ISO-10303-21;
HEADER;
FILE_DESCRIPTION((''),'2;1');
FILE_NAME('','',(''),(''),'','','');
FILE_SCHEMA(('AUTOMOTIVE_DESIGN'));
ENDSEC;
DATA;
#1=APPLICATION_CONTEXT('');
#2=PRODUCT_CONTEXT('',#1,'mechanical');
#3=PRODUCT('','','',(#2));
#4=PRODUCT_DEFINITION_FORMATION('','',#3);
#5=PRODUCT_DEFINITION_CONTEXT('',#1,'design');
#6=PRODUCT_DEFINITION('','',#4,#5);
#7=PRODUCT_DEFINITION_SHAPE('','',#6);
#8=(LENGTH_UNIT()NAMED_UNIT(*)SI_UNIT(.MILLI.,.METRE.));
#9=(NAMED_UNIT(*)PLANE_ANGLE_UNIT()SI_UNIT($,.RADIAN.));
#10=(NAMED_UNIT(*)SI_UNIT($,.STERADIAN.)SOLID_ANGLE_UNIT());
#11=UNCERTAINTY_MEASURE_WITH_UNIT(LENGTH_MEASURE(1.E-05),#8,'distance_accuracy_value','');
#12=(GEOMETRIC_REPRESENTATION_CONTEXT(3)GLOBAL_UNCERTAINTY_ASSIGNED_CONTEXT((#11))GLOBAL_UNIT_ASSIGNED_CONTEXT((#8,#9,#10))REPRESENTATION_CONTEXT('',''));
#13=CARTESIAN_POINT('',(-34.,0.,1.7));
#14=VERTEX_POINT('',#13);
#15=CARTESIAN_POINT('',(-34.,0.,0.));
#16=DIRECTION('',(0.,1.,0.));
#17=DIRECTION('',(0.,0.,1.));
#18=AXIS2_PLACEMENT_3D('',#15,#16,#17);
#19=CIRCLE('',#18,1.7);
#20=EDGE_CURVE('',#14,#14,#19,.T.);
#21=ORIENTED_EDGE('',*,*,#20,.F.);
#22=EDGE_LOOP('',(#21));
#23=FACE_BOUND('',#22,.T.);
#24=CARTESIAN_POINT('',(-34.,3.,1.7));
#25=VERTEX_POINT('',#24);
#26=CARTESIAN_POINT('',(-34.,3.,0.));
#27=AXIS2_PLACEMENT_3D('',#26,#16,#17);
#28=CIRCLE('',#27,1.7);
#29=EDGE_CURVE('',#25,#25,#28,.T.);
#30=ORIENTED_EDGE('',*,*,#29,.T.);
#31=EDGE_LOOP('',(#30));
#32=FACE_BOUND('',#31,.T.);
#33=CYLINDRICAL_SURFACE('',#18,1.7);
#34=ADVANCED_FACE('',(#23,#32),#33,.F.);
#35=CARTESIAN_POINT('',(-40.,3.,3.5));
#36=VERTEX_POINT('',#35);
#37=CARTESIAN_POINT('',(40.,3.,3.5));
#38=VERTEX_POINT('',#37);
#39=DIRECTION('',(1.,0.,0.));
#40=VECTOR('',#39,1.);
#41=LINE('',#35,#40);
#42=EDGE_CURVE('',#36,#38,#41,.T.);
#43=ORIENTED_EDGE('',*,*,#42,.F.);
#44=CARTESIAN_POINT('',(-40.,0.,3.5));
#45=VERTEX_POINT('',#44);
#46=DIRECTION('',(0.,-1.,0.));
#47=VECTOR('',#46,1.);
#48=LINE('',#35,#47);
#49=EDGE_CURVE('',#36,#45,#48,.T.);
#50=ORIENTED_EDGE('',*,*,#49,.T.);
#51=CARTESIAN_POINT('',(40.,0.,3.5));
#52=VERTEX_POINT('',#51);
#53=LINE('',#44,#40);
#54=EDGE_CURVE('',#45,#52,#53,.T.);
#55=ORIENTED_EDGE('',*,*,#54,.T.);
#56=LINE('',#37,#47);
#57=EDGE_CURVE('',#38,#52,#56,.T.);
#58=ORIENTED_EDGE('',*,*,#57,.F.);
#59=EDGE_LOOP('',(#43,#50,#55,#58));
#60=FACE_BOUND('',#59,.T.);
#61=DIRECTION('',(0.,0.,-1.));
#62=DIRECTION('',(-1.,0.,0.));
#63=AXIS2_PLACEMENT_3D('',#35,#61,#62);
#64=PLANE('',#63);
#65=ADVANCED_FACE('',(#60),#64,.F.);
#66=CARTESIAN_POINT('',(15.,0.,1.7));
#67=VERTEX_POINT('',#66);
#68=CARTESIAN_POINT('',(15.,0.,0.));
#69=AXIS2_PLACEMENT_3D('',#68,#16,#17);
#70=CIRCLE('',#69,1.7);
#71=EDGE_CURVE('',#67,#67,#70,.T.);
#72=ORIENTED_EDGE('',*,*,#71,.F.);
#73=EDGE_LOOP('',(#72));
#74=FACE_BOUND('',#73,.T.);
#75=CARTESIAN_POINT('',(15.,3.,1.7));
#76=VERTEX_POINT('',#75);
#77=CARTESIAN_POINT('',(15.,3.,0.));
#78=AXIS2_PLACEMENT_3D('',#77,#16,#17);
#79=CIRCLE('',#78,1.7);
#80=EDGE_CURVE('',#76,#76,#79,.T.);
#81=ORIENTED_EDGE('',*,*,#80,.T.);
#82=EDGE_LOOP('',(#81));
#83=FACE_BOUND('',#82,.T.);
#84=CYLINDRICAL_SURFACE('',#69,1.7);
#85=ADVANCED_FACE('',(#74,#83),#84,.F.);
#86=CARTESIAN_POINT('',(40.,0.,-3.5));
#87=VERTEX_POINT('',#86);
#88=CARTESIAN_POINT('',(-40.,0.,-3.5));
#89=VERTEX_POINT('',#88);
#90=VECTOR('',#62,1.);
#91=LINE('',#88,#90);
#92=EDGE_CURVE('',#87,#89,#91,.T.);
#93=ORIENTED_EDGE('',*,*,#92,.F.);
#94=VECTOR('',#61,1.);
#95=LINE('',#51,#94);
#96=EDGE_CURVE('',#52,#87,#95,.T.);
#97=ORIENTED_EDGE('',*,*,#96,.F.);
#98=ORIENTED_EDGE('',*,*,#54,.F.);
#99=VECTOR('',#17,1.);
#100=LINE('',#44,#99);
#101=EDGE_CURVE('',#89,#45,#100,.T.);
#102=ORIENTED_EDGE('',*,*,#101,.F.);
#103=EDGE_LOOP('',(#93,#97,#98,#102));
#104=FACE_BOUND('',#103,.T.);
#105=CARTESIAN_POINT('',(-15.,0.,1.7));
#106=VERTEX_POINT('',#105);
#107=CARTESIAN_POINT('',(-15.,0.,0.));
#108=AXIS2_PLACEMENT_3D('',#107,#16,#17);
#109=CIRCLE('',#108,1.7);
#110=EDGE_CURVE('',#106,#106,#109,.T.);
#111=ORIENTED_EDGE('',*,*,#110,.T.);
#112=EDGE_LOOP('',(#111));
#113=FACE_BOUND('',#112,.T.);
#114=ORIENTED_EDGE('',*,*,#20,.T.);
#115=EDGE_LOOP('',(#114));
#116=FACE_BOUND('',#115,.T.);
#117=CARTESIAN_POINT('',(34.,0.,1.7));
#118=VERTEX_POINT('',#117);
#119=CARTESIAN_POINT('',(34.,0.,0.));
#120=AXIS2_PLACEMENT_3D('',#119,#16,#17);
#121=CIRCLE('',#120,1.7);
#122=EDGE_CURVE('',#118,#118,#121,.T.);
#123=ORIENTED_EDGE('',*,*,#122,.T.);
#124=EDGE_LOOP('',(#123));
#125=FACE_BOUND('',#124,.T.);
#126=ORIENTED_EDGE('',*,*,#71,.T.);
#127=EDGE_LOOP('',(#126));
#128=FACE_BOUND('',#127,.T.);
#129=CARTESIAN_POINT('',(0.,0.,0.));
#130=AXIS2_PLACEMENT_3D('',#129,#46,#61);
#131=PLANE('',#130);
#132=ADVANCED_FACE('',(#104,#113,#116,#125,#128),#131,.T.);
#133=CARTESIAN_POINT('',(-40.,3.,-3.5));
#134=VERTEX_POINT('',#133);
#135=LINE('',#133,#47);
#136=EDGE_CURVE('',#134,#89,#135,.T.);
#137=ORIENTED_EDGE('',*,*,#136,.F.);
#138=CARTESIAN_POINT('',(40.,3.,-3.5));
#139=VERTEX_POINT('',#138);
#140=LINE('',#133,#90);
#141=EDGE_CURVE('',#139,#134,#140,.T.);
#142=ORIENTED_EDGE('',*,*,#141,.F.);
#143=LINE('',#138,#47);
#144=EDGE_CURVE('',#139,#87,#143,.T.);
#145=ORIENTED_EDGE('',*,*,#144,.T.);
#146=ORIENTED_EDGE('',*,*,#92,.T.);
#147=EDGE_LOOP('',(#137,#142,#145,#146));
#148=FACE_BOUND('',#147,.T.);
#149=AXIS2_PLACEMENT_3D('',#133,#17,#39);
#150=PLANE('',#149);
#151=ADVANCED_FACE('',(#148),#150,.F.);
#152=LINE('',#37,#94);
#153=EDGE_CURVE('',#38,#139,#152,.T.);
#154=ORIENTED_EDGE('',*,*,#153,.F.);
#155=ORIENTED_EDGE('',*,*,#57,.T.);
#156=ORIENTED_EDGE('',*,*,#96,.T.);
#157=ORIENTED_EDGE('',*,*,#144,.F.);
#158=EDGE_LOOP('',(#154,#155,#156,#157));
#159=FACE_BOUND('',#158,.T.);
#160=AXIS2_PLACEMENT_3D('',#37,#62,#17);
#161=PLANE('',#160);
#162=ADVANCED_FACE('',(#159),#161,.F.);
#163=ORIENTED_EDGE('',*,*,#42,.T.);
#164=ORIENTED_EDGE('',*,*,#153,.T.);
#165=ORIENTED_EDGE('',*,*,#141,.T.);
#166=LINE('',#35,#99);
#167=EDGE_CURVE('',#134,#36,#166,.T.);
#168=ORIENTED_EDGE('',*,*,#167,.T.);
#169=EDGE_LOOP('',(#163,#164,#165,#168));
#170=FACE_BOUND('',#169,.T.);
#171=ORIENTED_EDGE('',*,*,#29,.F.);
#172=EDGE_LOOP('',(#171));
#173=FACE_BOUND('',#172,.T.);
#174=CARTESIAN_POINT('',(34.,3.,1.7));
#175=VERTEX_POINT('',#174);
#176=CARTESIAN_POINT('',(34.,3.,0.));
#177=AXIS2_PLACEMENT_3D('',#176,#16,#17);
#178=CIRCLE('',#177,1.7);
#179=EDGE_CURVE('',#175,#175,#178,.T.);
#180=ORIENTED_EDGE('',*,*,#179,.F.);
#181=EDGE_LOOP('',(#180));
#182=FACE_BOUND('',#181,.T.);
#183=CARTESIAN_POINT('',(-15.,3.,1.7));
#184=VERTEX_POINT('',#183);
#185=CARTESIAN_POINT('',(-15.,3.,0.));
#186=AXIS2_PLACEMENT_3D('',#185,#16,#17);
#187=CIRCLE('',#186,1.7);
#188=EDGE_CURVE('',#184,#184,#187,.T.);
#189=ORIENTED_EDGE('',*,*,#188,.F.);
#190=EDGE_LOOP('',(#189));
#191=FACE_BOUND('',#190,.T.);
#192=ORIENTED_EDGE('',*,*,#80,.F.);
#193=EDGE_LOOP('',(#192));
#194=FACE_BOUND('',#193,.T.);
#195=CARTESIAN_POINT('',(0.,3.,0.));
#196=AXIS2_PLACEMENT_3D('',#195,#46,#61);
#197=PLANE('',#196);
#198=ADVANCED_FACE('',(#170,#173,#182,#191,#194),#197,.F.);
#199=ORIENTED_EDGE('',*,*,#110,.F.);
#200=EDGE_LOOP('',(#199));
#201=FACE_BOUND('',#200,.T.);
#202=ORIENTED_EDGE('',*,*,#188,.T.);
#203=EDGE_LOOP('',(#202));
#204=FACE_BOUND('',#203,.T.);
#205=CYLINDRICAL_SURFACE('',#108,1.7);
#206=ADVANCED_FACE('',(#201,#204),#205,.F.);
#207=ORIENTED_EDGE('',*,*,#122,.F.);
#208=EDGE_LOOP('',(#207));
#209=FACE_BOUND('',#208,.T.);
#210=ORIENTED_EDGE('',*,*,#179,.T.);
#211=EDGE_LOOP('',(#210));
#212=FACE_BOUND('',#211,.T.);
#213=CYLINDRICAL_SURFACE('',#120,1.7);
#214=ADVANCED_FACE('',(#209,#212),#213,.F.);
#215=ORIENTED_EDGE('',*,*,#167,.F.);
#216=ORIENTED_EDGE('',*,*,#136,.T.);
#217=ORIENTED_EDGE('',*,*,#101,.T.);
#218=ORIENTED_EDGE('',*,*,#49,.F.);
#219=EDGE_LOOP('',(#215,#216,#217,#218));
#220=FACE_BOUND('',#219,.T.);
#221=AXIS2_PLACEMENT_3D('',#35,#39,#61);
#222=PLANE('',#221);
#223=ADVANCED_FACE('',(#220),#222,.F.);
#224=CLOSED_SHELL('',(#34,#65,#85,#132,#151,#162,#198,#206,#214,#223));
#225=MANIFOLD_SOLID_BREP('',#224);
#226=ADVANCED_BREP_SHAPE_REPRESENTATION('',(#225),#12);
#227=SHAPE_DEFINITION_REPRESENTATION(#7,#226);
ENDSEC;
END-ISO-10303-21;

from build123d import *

# Parameters (mm, degrees)
SKETCH1_W           = 80
SKETCH1_H           = 7
BOSS_EXTRUDE1_DEPTH = 3
SKETCH2_R           = 1.7
CUT_EXTRUDE1_DEPTH  = 41.264748851


with BuildPart() as part:
    # Sketch1 → Boss-Extrude1 (new body)
    with BuildSketch(Plane(origin=(0, 0, 0), x_dir=(1, 0, 0), z_dir=(0, 1, 0))):
        Rectangle(SKETCH1_W, SKETCH1_H)
    extrude(amount=BOSS_EXTRUDE1_DEPTH)

    # Sketch2 → Cut-Extrude1 (cut, through all)
    with BuildSketch(Plane(origin=(0, 3, 0), x_dir=(1, 0, 0), z_dir=(0, 1, 0))):
        with Locations(Location((-34, 0, 0), (0, 0, 270))):
            Circle(SKETCH2_R)
        with Locations(Location((-15, 0, 0), (0, 0, 270))):
            Circle(SKETCH2_R)
        with Locations(Location((15, 0, 0), (0, 0, 270))):
            Circle(SKETCH2_R)
        with Locations(Location((34, 0, 0), (0, 0, 270))):
            Circle(SKETCH2_R)
    extrude(amount=-CUT_EXTRUDE1_DEPTH, mode=Mode.SUBTRACT)


solid = part.part
